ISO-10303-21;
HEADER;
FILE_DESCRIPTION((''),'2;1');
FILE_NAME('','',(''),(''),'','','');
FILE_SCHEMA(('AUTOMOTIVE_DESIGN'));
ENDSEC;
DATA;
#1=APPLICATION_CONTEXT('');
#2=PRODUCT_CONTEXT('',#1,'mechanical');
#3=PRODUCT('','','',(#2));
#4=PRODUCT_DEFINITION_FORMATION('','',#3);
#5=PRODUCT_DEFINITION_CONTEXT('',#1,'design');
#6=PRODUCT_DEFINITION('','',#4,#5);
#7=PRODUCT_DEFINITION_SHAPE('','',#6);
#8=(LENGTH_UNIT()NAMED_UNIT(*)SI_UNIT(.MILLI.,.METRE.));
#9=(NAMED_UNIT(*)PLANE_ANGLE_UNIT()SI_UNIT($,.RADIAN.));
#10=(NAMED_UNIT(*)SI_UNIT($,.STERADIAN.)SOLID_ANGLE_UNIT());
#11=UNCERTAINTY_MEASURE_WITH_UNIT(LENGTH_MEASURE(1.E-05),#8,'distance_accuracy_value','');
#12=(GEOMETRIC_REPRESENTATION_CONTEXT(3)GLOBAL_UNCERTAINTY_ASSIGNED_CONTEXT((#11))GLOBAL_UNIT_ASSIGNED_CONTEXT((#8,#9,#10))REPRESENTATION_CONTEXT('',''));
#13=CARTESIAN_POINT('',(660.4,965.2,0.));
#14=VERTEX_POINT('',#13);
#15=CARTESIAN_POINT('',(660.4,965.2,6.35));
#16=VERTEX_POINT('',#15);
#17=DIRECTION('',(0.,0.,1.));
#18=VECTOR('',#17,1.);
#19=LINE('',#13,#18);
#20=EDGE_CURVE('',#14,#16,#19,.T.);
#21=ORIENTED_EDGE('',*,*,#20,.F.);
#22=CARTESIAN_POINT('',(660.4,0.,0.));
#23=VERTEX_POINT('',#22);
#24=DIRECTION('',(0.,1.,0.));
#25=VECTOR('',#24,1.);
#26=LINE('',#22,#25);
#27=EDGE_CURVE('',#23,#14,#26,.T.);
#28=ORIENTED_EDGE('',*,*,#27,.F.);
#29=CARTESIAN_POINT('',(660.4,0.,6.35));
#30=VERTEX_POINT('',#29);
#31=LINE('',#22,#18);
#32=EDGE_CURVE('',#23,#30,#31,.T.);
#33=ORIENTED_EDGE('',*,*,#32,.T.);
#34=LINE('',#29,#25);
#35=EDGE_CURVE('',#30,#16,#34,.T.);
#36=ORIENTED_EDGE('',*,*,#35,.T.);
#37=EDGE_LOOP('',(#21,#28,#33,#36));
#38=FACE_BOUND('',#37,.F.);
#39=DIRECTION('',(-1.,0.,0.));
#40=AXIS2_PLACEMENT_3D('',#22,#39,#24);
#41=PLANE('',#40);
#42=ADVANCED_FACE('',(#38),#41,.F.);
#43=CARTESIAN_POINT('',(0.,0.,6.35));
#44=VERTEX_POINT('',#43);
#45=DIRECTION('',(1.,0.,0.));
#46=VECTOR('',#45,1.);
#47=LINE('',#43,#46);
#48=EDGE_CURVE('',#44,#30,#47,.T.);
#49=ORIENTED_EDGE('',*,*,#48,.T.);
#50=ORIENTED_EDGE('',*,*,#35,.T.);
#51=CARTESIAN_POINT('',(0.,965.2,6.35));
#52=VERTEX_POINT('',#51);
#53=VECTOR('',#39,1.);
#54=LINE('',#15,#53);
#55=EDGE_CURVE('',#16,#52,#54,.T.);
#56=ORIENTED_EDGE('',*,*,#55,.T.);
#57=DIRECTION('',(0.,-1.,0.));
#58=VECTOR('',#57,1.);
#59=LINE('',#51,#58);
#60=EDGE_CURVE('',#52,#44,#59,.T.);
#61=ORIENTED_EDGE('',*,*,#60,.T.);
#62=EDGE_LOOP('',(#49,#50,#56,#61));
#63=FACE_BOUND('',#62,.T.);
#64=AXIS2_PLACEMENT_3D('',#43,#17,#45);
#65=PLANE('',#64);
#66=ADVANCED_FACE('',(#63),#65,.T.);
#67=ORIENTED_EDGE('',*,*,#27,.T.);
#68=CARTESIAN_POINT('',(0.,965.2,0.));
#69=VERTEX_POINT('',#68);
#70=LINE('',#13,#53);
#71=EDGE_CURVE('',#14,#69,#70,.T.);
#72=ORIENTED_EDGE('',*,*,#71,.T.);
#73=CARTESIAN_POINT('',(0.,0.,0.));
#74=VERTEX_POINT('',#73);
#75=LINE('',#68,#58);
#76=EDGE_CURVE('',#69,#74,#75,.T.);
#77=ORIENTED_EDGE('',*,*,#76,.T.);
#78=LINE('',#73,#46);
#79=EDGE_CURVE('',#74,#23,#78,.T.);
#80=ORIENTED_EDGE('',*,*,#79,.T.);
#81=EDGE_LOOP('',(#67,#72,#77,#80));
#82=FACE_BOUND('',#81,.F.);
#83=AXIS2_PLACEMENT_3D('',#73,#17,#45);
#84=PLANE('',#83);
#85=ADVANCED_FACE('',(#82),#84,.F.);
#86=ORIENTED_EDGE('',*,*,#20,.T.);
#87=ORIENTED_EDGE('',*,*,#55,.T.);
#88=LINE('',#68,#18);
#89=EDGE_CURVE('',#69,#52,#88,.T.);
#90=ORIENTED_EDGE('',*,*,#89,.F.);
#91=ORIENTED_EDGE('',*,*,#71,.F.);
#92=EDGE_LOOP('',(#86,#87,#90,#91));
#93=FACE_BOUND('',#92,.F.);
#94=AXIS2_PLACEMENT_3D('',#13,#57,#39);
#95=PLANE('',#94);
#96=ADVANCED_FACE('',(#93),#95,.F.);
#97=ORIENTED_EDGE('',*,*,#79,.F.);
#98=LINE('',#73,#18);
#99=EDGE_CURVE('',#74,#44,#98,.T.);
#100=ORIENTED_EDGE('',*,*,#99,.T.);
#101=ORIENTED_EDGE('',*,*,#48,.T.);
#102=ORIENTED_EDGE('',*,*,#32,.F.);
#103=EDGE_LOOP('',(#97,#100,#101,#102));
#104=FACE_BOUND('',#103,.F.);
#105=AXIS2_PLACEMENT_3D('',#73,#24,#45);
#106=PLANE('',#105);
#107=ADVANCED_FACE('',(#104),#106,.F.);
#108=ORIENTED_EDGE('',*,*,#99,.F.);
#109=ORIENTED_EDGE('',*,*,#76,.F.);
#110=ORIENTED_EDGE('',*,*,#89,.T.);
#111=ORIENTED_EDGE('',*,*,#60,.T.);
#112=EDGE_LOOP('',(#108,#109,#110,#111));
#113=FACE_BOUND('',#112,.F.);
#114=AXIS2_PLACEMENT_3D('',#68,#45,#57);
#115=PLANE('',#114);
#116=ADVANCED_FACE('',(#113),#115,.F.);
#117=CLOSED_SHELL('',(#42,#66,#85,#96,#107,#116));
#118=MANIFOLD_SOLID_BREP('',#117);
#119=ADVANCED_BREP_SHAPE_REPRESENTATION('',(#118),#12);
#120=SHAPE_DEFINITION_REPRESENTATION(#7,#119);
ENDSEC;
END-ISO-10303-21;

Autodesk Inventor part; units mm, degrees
ref_plane "YZ Plane" through (0, 0, 0) normal (1, 0, 0) x (0, 1, 0)
ref_plane "XZ Plane" through (0, 0, 0) normal (0, 1, 0) x (-1, 0, 0)
ref_plane "XY Plane" through (0, 0, 0) normal (0, 0, 1) x (1, 0, 0)
sketch "Sketch1" plane through (0, 0, 0) normal (0, 0, 1) x (1, 0, 0)
  line L0 (0, 0) -> (660.4, 0)
  line L1 (660.4, 0) -> (660.4, 965.2)
  line L2 (660.4, 965.2) -> (0, 965.2)
  line L3 (0, 965.2) -> (0, 0)
  dimension "d0" = 660.4
  dimension "d1" = 965.2
extrude "Extrusion1" add sketch "Sketch1" along normal blind 6.35
properties part number "rat_enclosure_side_panels"
